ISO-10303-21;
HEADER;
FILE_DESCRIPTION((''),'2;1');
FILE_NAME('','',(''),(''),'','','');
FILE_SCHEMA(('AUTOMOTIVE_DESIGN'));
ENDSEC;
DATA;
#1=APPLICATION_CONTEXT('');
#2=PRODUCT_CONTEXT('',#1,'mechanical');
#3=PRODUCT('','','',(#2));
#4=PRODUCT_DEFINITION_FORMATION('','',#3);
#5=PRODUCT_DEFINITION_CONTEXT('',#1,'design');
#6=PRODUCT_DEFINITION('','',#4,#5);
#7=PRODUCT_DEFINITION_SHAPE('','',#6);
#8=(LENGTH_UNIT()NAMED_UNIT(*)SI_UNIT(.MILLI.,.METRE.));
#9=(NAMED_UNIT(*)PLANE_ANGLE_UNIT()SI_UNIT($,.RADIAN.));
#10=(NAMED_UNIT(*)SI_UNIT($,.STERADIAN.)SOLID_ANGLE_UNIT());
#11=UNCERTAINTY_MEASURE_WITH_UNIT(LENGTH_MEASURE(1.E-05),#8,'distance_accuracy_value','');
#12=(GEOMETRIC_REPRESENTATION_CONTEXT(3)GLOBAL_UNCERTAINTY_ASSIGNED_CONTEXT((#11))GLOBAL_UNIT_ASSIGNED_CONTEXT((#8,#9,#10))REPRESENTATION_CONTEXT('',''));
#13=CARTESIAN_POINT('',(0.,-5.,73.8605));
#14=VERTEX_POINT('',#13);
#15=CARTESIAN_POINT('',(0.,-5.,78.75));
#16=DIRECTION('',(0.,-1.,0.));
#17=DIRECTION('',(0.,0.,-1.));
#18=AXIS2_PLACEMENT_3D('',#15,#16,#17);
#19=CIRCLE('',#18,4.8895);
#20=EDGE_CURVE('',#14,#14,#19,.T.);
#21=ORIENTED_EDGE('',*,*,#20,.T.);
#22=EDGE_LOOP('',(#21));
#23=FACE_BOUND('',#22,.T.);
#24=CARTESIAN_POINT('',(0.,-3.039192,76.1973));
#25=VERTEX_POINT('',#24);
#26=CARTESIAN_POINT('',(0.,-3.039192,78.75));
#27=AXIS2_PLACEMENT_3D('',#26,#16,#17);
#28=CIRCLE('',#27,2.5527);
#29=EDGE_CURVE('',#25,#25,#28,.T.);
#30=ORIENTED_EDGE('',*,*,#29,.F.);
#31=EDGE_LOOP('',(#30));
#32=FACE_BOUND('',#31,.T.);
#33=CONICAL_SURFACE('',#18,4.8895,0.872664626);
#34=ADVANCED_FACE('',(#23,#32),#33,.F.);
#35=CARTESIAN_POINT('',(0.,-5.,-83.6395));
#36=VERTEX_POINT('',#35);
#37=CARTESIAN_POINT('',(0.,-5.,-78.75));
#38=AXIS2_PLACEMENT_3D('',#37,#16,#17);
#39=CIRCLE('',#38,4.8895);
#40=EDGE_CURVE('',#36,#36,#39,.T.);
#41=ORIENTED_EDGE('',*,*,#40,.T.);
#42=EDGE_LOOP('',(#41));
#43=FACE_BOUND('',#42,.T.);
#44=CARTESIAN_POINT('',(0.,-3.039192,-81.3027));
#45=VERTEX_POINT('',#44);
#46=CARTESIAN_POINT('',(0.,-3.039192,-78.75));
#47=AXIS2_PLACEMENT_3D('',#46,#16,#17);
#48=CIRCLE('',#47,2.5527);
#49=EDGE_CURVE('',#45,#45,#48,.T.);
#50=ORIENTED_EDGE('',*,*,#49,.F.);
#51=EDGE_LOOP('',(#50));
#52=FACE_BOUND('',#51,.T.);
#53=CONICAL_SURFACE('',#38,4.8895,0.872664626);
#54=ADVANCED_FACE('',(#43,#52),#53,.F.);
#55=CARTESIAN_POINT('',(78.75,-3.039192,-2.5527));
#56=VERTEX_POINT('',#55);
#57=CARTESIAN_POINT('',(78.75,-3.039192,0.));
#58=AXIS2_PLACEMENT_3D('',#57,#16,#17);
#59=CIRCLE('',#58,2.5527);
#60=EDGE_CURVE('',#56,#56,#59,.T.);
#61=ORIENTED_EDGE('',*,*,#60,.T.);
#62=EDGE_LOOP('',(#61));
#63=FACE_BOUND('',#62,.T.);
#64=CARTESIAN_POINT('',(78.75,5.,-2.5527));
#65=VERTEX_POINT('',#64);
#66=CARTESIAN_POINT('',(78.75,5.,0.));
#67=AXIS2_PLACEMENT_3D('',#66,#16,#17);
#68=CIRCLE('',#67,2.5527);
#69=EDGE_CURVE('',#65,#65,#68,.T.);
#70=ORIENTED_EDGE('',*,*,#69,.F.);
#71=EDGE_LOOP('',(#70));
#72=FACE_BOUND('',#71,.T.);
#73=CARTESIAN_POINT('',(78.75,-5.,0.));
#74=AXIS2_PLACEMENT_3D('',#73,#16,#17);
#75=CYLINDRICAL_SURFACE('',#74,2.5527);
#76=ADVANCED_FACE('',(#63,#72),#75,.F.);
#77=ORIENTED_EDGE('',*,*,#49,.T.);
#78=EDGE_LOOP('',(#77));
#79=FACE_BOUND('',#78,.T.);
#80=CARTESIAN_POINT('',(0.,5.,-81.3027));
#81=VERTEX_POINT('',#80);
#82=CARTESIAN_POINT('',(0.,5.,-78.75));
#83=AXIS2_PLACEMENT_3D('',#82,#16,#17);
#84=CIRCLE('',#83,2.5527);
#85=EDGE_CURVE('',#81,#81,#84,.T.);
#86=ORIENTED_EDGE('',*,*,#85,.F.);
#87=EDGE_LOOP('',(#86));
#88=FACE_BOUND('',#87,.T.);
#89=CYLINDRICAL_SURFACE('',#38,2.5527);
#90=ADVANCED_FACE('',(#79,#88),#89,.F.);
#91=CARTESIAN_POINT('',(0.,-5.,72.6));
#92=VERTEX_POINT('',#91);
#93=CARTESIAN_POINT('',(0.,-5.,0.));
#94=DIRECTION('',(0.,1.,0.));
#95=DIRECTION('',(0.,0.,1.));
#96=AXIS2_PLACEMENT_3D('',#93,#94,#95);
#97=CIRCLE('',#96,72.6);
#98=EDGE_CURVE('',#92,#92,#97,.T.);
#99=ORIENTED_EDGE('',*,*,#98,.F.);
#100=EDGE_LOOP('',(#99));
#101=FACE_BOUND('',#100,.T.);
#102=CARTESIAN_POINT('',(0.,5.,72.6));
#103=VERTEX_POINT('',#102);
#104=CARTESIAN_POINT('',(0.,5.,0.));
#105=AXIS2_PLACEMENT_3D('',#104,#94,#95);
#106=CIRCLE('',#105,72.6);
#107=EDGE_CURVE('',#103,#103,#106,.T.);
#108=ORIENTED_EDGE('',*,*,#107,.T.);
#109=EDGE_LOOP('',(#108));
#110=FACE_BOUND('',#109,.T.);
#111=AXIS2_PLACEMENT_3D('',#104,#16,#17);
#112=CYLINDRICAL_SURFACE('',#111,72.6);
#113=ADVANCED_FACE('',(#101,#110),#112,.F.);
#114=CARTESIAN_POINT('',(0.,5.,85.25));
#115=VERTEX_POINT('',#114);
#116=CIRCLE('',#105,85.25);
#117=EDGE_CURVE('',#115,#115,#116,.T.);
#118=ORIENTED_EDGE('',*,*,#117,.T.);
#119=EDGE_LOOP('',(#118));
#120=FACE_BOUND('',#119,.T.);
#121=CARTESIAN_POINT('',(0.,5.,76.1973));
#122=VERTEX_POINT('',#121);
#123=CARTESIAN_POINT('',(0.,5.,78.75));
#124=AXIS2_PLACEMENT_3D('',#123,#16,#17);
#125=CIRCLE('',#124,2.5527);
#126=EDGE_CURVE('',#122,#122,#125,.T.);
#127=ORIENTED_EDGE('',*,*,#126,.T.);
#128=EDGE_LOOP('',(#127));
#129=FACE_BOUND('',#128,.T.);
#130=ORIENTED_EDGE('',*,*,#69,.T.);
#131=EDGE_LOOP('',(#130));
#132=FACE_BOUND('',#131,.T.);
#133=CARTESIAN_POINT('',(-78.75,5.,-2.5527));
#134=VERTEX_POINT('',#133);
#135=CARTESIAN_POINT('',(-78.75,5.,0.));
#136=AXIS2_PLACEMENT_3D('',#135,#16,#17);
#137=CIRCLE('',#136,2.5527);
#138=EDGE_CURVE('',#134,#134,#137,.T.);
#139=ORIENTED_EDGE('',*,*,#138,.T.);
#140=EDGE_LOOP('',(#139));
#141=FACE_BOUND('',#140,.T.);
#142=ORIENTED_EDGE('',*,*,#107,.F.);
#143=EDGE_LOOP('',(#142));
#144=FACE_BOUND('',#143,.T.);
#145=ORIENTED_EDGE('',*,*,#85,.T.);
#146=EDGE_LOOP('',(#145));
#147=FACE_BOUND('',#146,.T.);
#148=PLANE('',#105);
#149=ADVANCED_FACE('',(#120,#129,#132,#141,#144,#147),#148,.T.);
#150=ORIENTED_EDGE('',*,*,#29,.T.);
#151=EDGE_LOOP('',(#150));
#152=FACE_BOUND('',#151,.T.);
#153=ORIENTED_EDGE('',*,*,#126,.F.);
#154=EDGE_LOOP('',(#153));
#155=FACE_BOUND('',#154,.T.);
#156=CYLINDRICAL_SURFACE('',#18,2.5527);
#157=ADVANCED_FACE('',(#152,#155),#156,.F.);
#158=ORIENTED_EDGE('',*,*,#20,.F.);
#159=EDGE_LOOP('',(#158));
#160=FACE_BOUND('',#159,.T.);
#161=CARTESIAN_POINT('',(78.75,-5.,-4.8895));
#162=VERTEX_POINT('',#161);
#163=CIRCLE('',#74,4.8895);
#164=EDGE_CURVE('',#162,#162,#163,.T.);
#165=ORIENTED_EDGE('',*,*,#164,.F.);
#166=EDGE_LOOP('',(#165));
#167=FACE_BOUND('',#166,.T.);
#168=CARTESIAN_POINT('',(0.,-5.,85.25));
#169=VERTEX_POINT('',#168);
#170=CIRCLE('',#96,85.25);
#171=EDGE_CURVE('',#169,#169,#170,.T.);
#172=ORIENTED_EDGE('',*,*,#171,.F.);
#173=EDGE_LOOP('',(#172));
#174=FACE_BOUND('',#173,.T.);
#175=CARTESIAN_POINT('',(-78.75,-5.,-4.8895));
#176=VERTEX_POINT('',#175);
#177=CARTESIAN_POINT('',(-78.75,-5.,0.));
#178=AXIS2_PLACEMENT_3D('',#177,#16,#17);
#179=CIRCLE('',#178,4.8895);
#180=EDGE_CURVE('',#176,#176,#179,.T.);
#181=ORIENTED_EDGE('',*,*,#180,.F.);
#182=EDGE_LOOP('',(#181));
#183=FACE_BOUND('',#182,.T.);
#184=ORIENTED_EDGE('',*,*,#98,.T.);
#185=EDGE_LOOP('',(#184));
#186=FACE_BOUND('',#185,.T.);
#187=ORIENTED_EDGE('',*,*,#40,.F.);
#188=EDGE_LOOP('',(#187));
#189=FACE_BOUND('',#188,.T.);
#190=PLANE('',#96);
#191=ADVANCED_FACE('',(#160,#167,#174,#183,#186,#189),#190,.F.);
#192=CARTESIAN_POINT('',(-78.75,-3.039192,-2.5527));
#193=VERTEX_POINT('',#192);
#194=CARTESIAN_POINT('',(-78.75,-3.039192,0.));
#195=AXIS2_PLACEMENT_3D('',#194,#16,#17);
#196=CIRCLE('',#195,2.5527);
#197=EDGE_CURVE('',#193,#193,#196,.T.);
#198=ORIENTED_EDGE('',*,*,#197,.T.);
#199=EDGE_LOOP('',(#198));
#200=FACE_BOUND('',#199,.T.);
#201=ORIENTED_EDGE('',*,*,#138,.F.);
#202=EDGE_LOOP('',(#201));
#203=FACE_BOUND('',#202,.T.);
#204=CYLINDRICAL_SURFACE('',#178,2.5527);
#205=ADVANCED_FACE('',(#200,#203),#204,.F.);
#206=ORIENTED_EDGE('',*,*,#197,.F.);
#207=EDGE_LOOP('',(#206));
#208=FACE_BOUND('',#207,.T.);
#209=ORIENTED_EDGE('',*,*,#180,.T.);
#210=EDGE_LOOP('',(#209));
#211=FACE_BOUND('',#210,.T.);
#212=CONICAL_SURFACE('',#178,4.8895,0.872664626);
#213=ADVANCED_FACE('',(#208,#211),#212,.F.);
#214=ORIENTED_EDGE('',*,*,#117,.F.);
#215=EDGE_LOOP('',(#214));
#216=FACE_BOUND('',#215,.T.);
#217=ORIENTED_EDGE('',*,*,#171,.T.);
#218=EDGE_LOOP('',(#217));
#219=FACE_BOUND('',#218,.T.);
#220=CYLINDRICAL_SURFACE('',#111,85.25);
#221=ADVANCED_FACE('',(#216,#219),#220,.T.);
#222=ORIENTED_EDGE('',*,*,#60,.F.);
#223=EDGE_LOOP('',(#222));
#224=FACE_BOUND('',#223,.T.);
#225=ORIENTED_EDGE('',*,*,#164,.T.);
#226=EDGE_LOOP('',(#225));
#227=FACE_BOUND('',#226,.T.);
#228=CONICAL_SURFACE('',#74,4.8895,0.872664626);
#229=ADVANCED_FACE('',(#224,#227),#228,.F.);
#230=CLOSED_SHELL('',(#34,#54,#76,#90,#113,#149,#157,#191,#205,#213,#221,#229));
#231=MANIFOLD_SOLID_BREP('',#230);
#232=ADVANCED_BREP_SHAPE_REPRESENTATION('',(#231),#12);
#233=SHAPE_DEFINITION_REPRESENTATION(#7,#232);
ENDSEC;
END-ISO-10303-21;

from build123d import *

# Parameters (mm, degrees)
SKETCH1_R                                          = 85.250000061
SKETCH1_R_2                                        = 72.599999961
BOSS_EXTRUDE1_DEPTH                                = 5.000000033
SKETCH2_R                                          = 1.27
CUT_EXTRUDE1_DEPTH                                 = 121.665343082
CIRPATTERN1_COUNT                                  = 4
CSK_FOR_10_FLAT_HEAD_MACHINE_SCREW_100_D           = 5.1054
CSK_FOR_10_FLAT_HEAD_MACHINE_SCREW_100_CSINK_D     = 9.779
CSK_FOR_10_FLAT_HEAD_MACHINE_SCREW_100_CSINK_ANGLE = 100


with BuildPart() as part:
    # Sketch1 → Boss-Extrude1 (new, symmetric)
    with BuildSketch(Plane(origin=(0, 0, 0), x_dir=(1, 0, 0), z_dir=(0, 1, 0))):
        Circle(SKETCH1_R)
        Circle(SKETCH1_R_2, mode=Mode.SUBTRACT)
    extrude(amount=BOSS_EXTRUDE1_DEPTH, both=True)

    # Sketch2 → Cut-Extrude1 (cut, symmetric)
    with BuildSketch(Plane(origin=(0, 0, 0), x_dir=(1, 0, 0), z_dir=(0, 1, 0))):
        with Locations((-78.74999998, 0)):
            Circle(SKETCH2_R)
    cut_extrude1 = extrude(amount=CUT_EXTRUDE1_DEPTH, both=True, mode=Mode.SUBTRACT)

    # CirPattern1: Cut-Extrude1 ×4 about axis
    cirpattern1_axis = Axis((0, 5.500000036, 0), (0, -1, 0))
    for i in range(1, CIRPATTERN1_COUNT):
        add(cut_extrude1.rotate(cirpattern1_axis, i * 360 / CIRPATTERN1_COUNT), mode=Mode.SUBTRACT)

    # CSK for #10 Flat Head Machine Screw (100)1 (through all)
    with Locations(Plane(origin=(78.74999998, -5.000000033, 0), x_dir=(0, 0, -1), z_dir=(0, -1, 0))):
        with Locations((0, 0), (78.74999998, -78.74999998), (0, -157.49999996), (-78.74999998, -78.74999998)):
            CounterSinkHole(CSK_FOR_10_FLAT_HEAD_MACHINE_SCREW_100_D / 2, CSK_FOR_10_FLAT_HEAD_MACHINE_SCREW_100_CSINK_D / 2, counter_sink_angle=CSK_FOR_10_FLAT_HEAD_MACHINE_SCREW_100_CSINK_ANGLE)


solid = part.part
